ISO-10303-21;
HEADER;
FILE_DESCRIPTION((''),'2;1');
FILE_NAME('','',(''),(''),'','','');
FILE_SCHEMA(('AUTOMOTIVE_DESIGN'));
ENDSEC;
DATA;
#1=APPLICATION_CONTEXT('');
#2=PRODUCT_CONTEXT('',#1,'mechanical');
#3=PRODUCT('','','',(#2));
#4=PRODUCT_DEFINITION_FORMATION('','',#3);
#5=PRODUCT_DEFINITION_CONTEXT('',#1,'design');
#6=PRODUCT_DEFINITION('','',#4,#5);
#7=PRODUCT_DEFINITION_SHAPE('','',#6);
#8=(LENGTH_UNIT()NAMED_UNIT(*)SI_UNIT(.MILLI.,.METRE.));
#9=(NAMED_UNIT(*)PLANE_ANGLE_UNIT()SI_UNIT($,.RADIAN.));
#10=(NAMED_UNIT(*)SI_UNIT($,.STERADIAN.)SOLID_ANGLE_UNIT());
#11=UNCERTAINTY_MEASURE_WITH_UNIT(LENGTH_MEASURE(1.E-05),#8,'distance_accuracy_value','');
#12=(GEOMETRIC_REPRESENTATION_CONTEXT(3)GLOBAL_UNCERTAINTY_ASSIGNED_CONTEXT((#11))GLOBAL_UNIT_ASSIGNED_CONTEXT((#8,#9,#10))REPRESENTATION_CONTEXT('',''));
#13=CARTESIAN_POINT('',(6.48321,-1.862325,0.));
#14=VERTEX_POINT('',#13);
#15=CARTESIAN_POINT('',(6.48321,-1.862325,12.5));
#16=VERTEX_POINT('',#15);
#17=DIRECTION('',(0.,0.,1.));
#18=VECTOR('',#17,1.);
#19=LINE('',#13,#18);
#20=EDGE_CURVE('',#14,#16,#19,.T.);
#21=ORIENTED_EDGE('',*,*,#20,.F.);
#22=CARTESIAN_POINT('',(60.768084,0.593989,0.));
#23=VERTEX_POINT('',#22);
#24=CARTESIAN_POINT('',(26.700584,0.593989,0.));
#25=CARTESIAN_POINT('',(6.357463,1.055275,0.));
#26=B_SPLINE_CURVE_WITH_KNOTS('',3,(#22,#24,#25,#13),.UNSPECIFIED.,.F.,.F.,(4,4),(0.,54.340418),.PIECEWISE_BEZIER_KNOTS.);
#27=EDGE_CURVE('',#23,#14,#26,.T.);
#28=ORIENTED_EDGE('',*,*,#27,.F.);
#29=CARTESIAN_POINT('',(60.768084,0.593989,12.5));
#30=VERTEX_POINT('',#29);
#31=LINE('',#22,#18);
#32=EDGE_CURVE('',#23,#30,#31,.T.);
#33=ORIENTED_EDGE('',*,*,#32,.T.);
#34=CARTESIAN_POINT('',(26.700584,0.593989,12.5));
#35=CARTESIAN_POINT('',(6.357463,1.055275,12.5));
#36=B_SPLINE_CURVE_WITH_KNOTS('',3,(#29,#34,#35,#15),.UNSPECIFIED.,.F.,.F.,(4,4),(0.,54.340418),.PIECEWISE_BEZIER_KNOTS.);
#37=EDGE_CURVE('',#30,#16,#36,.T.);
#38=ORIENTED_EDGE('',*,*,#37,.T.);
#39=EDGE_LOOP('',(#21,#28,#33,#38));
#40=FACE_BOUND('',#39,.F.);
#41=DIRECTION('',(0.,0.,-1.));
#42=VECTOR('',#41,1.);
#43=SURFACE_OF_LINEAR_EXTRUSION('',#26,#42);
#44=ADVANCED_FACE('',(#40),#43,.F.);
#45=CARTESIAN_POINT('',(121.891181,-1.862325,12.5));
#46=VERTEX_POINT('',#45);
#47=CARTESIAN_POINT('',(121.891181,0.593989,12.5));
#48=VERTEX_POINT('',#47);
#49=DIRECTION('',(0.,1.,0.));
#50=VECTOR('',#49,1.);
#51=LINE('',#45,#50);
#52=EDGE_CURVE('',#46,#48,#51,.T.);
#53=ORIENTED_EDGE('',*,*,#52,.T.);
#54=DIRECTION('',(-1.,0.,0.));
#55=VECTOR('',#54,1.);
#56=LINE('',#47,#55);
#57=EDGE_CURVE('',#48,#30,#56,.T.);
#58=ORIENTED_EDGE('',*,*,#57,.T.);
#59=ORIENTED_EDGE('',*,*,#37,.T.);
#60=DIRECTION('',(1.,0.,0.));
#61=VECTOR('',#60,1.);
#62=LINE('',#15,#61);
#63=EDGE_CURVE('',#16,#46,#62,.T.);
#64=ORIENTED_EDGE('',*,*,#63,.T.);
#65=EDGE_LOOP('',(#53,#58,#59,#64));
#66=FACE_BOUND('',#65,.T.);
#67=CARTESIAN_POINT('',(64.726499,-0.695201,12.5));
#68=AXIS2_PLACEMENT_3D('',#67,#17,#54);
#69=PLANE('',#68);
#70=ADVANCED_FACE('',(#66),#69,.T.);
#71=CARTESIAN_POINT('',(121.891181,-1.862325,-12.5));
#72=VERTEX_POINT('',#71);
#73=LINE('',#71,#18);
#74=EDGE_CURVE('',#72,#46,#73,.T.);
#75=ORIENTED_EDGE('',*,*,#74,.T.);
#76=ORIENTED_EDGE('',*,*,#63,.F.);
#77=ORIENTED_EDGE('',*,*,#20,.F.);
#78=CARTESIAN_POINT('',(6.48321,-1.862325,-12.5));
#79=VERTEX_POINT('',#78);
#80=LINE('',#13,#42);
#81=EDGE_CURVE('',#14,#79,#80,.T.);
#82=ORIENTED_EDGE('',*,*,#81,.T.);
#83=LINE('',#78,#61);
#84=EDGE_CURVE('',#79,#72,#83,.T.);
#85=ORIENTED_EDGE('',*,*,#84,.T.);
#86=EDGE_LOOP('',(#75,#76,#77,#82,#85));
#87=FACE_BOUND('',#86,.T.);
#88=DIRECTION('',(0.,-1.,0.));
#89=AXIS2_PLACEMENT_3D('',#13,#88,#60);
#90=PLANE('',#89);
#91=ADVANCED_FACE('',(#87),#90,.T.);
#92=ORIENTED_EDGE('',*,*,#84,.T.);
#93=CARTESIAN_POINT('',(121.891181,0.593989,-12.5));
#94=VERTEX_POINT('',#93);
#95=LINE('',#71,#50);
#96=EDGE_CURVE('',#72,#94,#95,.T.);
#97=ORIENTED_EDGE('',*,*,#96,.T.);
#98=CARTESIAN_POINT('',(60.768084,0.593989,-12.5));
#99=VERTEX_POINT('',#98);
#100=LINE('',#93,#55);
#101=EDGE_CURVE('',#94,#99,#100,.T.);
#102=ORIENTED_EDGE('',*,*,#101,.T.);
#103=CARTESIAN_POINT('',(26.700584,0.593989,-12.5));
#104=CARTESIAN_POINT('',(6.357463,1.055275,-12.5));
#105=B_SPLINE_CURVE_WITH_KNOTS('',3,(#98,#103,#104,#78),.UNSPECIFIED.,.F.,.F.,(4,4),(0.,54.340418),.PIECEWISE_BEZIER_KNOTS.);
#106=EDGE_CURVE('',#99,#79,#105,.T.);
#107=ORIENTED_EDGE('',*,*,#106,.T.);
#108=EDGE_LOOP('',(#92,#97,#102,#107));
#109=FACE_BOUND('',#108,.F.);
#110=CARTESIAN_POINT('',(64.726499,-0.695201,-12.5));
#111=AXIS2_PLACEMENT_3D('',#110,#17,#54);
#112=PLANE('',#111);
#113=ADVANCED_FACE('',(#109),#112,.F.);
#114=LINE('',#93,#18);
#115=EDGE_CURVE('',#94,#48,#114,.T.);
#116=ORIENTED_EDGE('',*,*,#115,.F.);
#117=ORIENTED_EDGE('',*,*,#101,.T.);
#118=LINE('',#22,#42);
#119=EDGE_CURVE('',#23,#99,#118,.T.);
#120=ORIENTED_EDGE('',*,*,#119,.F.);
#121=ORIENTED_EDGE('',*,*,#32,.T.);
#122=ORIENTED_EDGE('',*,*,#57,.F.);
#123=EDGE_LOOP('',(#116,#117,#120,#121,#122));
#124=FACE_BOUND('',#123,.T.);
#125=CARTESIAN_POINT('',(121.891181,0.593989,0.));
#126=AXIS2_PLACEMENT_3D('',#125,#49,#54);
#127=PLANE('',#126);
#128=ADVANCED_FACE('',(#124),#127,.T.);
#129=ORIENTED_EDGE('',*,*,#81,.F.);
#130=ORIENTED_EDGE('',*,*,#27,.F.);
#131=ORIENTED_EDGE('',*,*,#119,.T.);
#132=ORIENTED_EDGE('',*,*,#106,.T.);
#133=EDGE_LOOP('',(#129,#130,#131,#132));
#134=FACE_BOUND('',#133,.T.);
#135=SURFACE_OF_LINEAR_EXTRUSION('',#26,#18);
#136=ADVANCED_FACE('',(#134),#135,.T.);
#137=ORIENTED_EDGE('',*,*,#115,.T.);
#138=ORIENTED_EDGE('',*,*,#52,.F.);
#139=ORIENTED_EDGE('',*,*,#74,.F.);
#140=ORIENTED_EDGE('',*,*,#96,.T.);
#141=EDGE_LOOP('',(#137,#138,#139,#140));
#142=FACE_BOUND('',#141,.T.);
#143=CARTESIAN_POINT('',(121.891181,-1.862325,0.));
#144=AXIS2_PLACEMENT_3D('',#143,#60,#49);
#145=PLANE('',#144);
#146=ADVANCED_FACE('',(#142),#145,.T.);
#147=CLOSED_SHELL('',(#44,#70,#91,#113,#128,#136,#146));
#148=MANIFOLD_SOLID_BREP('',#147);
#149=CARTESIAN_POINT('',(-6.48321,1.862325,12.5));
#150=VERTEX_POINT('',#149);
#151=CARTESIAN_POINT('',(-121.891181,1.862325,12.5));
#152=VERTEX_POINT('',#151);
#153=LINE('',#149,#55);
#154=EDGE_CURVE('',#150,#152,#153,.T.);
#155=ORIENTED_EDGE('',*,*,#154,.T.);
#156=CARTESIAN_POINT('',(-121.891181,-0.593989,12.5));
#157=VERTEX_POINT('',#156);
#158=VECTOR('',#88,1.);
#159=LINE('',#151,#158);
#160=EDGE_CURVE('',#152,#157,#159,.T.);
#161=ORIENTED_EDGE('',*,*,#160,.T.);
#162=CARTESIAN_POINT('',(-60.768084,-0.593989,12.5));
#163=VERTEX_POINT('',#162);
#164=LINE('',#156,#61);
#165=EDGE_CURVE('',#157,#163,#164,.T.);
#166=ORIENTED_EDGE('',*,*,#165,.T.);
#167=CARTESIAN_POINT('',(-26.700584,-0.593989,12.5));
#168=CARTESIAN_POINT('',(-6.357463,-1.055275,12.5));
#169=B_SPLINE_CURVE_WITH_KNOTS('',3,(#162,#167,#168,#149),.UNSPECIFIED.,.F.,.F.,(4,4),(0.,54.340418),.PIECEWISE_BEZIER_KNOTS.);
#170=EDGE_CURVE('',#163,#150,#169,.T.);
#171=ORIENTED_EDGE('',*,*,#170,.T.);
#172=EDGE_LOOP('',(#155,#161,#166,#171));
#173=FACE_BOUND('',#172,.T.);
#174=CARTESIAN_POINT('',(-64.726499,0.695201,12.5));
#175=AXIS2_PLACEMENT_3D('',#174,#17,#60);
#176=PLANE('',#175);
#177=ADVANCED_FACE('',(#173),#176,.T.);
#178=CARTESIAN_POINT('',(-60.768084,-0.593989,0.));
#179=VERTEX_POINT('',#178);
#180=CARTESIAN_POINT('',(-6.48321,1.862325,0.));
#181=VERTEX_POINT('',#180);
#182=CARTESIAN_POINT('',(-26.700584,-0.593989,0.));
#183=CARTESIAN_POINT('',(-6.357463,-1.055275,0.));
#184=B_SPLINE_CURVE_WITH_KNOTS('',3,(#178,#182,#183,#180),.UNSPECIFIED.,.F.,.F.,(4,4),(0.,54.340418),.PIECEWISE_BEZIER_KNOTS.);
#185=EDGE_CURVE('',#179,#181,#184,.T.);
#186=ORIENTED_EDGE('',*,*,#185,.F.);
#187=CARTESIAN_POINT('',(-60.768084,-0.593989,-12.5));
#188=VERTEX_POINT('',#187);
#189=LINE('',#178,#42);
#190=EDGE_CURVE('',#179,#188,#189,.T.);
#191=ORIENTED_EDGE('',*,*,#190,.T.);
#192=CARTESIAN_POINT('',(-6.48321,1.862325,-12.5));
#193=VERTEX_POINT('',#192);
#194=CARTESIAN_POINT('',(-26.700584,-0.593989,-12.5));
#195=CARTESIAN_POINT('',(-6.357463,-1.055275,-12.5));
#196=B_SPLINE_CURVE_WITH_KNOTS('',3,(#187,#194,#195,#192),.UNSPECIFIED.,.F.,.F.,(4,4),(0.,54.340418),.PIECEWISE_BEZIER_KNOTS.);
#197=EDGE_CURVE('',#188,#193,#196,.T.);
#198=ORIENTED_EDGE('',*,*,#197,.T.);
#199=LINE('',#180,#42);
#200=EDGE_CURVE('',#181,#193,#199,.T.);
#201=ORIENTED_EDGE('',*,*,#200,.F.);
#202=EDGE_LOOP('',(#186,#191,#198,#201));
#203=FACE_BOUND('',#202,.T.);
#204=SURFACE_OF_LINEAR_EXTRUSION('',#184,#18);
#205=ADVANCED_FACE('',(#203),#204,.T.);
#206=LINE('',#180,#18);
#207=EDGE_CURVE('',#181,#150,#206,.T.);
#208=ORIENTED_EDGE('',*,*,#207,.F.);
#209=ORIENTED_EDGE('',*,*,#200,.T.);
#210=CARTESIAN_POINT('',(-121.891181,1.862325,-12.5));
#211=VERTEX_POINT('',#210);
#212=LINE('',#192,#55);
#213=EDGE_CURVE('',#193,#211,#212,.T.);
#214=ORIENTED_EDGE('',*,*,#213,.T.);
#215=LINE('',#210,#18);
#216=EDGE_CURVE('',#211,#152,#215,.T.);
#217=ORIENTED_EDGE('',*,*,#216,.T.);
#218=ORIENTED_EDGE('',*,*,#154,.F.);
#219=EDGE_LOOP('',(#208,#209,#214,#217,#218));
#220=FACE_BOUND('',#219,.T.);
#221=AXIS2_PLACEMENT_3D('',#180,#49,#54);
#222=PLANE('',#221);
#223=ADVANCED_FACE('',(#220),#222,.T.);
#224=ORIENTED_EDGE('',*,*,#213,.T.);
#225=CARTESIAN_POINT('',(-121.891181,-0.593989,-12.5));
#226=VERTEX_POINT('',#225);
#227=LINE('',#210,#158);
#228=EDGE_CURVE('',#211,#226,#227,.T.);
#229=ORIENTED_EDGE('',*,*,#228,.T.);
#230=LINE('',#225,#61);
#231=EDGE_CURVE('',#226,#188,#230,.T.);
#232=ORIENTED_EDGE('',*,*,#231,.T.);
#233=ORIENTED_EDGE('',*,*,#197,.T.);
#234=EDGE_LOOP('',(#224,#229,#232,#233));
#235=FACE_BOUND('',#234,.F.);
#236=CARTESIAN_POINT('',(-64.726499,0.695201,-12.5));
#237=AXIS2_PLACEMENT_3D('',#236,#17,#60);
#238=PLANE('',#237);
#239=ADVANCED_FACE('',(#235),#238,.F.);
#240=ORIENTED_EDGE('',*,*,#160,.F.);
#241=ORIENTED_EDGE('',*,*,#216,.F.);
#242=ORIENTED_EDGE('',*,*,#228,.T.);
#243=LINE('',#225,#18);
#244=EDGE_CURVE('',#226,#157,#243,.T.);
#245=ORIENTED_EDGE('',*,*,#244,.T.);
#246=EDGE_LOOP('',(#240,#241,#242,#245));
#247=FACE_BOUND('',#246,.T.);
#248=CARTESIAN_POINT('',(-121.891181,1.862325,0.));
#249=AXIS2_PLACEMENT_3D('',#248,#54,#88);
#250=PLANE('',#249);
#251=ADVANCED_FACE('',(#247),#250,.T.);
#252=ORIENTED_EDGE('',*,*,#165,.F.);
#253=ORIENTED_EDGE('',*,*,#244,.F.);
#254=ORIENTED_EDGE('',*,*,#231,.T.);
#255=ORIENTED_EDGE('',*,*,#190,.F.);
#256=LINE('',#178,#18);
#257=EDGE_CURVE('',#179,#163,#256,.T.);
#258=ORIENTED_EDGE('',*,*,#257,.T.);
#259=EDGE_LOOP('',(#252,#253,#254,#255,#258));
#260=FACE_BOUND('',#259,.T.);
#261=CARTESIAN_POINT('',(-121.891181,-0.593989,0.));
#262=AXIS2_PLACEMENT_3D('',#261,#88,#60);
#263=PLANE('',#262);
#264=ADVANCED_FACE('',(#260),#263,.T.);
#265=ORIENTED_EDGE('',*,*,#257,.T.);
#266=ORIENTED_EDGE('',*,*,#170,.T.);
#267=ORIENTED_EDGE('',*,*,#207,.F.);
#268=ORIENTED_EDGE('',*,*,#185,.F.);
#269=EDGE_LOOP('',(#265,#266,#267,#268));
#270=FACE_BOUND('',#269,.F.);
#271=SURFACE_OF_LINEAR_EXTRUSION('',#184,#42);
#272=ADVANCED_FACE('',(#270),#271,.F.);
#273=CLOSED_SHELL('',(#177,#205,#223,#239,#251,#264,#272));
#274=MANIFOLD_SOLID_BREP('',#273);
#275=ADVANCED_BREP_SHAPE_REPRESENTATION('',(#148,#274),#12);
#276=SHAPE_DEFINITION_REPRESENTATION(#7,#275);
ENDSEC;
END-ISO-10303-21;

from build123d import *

# Parameters (mm, degrees)
F1_DEPTH = 12.5


with BuildPart() as f1:
    # F0 (on Top) → F1 (new body, symmetric)
    with BuildSketch(Plane.XY):
        with BuildLine():
            Line((-6.48321, 1.862325), (-121.891181, 1.862325))
            Line((-121.891181, 1.862325), (-121.891181, -0.593989))
            Line((-121.891181, -0.593989), (-60.768084, -0.593989))
            add(Edge.make_bspline(
                [(-60.768084, -0.593989), (-26.700584, -0.593989), (-6.357463, -1.055275), (-6.48321, 1.862325)],
                knots=[0, 0, 0, 0, 54.340418, 54.340418, 54.340418, 54.340418], degree=3))
        make_face()
    extrude(amount=F1_DEPTH, both=True)


with BuildPart() as f2_1:
    # F2: instance of F1
    add(f1.part.mirror(Plane.YZ))


with BuildPart() as f3_1:
    # F3: instance of F2_1
    add(f2_1.part.mirror(Plane.XZ))


solid = Compound([f1.part, f3_1.part])
